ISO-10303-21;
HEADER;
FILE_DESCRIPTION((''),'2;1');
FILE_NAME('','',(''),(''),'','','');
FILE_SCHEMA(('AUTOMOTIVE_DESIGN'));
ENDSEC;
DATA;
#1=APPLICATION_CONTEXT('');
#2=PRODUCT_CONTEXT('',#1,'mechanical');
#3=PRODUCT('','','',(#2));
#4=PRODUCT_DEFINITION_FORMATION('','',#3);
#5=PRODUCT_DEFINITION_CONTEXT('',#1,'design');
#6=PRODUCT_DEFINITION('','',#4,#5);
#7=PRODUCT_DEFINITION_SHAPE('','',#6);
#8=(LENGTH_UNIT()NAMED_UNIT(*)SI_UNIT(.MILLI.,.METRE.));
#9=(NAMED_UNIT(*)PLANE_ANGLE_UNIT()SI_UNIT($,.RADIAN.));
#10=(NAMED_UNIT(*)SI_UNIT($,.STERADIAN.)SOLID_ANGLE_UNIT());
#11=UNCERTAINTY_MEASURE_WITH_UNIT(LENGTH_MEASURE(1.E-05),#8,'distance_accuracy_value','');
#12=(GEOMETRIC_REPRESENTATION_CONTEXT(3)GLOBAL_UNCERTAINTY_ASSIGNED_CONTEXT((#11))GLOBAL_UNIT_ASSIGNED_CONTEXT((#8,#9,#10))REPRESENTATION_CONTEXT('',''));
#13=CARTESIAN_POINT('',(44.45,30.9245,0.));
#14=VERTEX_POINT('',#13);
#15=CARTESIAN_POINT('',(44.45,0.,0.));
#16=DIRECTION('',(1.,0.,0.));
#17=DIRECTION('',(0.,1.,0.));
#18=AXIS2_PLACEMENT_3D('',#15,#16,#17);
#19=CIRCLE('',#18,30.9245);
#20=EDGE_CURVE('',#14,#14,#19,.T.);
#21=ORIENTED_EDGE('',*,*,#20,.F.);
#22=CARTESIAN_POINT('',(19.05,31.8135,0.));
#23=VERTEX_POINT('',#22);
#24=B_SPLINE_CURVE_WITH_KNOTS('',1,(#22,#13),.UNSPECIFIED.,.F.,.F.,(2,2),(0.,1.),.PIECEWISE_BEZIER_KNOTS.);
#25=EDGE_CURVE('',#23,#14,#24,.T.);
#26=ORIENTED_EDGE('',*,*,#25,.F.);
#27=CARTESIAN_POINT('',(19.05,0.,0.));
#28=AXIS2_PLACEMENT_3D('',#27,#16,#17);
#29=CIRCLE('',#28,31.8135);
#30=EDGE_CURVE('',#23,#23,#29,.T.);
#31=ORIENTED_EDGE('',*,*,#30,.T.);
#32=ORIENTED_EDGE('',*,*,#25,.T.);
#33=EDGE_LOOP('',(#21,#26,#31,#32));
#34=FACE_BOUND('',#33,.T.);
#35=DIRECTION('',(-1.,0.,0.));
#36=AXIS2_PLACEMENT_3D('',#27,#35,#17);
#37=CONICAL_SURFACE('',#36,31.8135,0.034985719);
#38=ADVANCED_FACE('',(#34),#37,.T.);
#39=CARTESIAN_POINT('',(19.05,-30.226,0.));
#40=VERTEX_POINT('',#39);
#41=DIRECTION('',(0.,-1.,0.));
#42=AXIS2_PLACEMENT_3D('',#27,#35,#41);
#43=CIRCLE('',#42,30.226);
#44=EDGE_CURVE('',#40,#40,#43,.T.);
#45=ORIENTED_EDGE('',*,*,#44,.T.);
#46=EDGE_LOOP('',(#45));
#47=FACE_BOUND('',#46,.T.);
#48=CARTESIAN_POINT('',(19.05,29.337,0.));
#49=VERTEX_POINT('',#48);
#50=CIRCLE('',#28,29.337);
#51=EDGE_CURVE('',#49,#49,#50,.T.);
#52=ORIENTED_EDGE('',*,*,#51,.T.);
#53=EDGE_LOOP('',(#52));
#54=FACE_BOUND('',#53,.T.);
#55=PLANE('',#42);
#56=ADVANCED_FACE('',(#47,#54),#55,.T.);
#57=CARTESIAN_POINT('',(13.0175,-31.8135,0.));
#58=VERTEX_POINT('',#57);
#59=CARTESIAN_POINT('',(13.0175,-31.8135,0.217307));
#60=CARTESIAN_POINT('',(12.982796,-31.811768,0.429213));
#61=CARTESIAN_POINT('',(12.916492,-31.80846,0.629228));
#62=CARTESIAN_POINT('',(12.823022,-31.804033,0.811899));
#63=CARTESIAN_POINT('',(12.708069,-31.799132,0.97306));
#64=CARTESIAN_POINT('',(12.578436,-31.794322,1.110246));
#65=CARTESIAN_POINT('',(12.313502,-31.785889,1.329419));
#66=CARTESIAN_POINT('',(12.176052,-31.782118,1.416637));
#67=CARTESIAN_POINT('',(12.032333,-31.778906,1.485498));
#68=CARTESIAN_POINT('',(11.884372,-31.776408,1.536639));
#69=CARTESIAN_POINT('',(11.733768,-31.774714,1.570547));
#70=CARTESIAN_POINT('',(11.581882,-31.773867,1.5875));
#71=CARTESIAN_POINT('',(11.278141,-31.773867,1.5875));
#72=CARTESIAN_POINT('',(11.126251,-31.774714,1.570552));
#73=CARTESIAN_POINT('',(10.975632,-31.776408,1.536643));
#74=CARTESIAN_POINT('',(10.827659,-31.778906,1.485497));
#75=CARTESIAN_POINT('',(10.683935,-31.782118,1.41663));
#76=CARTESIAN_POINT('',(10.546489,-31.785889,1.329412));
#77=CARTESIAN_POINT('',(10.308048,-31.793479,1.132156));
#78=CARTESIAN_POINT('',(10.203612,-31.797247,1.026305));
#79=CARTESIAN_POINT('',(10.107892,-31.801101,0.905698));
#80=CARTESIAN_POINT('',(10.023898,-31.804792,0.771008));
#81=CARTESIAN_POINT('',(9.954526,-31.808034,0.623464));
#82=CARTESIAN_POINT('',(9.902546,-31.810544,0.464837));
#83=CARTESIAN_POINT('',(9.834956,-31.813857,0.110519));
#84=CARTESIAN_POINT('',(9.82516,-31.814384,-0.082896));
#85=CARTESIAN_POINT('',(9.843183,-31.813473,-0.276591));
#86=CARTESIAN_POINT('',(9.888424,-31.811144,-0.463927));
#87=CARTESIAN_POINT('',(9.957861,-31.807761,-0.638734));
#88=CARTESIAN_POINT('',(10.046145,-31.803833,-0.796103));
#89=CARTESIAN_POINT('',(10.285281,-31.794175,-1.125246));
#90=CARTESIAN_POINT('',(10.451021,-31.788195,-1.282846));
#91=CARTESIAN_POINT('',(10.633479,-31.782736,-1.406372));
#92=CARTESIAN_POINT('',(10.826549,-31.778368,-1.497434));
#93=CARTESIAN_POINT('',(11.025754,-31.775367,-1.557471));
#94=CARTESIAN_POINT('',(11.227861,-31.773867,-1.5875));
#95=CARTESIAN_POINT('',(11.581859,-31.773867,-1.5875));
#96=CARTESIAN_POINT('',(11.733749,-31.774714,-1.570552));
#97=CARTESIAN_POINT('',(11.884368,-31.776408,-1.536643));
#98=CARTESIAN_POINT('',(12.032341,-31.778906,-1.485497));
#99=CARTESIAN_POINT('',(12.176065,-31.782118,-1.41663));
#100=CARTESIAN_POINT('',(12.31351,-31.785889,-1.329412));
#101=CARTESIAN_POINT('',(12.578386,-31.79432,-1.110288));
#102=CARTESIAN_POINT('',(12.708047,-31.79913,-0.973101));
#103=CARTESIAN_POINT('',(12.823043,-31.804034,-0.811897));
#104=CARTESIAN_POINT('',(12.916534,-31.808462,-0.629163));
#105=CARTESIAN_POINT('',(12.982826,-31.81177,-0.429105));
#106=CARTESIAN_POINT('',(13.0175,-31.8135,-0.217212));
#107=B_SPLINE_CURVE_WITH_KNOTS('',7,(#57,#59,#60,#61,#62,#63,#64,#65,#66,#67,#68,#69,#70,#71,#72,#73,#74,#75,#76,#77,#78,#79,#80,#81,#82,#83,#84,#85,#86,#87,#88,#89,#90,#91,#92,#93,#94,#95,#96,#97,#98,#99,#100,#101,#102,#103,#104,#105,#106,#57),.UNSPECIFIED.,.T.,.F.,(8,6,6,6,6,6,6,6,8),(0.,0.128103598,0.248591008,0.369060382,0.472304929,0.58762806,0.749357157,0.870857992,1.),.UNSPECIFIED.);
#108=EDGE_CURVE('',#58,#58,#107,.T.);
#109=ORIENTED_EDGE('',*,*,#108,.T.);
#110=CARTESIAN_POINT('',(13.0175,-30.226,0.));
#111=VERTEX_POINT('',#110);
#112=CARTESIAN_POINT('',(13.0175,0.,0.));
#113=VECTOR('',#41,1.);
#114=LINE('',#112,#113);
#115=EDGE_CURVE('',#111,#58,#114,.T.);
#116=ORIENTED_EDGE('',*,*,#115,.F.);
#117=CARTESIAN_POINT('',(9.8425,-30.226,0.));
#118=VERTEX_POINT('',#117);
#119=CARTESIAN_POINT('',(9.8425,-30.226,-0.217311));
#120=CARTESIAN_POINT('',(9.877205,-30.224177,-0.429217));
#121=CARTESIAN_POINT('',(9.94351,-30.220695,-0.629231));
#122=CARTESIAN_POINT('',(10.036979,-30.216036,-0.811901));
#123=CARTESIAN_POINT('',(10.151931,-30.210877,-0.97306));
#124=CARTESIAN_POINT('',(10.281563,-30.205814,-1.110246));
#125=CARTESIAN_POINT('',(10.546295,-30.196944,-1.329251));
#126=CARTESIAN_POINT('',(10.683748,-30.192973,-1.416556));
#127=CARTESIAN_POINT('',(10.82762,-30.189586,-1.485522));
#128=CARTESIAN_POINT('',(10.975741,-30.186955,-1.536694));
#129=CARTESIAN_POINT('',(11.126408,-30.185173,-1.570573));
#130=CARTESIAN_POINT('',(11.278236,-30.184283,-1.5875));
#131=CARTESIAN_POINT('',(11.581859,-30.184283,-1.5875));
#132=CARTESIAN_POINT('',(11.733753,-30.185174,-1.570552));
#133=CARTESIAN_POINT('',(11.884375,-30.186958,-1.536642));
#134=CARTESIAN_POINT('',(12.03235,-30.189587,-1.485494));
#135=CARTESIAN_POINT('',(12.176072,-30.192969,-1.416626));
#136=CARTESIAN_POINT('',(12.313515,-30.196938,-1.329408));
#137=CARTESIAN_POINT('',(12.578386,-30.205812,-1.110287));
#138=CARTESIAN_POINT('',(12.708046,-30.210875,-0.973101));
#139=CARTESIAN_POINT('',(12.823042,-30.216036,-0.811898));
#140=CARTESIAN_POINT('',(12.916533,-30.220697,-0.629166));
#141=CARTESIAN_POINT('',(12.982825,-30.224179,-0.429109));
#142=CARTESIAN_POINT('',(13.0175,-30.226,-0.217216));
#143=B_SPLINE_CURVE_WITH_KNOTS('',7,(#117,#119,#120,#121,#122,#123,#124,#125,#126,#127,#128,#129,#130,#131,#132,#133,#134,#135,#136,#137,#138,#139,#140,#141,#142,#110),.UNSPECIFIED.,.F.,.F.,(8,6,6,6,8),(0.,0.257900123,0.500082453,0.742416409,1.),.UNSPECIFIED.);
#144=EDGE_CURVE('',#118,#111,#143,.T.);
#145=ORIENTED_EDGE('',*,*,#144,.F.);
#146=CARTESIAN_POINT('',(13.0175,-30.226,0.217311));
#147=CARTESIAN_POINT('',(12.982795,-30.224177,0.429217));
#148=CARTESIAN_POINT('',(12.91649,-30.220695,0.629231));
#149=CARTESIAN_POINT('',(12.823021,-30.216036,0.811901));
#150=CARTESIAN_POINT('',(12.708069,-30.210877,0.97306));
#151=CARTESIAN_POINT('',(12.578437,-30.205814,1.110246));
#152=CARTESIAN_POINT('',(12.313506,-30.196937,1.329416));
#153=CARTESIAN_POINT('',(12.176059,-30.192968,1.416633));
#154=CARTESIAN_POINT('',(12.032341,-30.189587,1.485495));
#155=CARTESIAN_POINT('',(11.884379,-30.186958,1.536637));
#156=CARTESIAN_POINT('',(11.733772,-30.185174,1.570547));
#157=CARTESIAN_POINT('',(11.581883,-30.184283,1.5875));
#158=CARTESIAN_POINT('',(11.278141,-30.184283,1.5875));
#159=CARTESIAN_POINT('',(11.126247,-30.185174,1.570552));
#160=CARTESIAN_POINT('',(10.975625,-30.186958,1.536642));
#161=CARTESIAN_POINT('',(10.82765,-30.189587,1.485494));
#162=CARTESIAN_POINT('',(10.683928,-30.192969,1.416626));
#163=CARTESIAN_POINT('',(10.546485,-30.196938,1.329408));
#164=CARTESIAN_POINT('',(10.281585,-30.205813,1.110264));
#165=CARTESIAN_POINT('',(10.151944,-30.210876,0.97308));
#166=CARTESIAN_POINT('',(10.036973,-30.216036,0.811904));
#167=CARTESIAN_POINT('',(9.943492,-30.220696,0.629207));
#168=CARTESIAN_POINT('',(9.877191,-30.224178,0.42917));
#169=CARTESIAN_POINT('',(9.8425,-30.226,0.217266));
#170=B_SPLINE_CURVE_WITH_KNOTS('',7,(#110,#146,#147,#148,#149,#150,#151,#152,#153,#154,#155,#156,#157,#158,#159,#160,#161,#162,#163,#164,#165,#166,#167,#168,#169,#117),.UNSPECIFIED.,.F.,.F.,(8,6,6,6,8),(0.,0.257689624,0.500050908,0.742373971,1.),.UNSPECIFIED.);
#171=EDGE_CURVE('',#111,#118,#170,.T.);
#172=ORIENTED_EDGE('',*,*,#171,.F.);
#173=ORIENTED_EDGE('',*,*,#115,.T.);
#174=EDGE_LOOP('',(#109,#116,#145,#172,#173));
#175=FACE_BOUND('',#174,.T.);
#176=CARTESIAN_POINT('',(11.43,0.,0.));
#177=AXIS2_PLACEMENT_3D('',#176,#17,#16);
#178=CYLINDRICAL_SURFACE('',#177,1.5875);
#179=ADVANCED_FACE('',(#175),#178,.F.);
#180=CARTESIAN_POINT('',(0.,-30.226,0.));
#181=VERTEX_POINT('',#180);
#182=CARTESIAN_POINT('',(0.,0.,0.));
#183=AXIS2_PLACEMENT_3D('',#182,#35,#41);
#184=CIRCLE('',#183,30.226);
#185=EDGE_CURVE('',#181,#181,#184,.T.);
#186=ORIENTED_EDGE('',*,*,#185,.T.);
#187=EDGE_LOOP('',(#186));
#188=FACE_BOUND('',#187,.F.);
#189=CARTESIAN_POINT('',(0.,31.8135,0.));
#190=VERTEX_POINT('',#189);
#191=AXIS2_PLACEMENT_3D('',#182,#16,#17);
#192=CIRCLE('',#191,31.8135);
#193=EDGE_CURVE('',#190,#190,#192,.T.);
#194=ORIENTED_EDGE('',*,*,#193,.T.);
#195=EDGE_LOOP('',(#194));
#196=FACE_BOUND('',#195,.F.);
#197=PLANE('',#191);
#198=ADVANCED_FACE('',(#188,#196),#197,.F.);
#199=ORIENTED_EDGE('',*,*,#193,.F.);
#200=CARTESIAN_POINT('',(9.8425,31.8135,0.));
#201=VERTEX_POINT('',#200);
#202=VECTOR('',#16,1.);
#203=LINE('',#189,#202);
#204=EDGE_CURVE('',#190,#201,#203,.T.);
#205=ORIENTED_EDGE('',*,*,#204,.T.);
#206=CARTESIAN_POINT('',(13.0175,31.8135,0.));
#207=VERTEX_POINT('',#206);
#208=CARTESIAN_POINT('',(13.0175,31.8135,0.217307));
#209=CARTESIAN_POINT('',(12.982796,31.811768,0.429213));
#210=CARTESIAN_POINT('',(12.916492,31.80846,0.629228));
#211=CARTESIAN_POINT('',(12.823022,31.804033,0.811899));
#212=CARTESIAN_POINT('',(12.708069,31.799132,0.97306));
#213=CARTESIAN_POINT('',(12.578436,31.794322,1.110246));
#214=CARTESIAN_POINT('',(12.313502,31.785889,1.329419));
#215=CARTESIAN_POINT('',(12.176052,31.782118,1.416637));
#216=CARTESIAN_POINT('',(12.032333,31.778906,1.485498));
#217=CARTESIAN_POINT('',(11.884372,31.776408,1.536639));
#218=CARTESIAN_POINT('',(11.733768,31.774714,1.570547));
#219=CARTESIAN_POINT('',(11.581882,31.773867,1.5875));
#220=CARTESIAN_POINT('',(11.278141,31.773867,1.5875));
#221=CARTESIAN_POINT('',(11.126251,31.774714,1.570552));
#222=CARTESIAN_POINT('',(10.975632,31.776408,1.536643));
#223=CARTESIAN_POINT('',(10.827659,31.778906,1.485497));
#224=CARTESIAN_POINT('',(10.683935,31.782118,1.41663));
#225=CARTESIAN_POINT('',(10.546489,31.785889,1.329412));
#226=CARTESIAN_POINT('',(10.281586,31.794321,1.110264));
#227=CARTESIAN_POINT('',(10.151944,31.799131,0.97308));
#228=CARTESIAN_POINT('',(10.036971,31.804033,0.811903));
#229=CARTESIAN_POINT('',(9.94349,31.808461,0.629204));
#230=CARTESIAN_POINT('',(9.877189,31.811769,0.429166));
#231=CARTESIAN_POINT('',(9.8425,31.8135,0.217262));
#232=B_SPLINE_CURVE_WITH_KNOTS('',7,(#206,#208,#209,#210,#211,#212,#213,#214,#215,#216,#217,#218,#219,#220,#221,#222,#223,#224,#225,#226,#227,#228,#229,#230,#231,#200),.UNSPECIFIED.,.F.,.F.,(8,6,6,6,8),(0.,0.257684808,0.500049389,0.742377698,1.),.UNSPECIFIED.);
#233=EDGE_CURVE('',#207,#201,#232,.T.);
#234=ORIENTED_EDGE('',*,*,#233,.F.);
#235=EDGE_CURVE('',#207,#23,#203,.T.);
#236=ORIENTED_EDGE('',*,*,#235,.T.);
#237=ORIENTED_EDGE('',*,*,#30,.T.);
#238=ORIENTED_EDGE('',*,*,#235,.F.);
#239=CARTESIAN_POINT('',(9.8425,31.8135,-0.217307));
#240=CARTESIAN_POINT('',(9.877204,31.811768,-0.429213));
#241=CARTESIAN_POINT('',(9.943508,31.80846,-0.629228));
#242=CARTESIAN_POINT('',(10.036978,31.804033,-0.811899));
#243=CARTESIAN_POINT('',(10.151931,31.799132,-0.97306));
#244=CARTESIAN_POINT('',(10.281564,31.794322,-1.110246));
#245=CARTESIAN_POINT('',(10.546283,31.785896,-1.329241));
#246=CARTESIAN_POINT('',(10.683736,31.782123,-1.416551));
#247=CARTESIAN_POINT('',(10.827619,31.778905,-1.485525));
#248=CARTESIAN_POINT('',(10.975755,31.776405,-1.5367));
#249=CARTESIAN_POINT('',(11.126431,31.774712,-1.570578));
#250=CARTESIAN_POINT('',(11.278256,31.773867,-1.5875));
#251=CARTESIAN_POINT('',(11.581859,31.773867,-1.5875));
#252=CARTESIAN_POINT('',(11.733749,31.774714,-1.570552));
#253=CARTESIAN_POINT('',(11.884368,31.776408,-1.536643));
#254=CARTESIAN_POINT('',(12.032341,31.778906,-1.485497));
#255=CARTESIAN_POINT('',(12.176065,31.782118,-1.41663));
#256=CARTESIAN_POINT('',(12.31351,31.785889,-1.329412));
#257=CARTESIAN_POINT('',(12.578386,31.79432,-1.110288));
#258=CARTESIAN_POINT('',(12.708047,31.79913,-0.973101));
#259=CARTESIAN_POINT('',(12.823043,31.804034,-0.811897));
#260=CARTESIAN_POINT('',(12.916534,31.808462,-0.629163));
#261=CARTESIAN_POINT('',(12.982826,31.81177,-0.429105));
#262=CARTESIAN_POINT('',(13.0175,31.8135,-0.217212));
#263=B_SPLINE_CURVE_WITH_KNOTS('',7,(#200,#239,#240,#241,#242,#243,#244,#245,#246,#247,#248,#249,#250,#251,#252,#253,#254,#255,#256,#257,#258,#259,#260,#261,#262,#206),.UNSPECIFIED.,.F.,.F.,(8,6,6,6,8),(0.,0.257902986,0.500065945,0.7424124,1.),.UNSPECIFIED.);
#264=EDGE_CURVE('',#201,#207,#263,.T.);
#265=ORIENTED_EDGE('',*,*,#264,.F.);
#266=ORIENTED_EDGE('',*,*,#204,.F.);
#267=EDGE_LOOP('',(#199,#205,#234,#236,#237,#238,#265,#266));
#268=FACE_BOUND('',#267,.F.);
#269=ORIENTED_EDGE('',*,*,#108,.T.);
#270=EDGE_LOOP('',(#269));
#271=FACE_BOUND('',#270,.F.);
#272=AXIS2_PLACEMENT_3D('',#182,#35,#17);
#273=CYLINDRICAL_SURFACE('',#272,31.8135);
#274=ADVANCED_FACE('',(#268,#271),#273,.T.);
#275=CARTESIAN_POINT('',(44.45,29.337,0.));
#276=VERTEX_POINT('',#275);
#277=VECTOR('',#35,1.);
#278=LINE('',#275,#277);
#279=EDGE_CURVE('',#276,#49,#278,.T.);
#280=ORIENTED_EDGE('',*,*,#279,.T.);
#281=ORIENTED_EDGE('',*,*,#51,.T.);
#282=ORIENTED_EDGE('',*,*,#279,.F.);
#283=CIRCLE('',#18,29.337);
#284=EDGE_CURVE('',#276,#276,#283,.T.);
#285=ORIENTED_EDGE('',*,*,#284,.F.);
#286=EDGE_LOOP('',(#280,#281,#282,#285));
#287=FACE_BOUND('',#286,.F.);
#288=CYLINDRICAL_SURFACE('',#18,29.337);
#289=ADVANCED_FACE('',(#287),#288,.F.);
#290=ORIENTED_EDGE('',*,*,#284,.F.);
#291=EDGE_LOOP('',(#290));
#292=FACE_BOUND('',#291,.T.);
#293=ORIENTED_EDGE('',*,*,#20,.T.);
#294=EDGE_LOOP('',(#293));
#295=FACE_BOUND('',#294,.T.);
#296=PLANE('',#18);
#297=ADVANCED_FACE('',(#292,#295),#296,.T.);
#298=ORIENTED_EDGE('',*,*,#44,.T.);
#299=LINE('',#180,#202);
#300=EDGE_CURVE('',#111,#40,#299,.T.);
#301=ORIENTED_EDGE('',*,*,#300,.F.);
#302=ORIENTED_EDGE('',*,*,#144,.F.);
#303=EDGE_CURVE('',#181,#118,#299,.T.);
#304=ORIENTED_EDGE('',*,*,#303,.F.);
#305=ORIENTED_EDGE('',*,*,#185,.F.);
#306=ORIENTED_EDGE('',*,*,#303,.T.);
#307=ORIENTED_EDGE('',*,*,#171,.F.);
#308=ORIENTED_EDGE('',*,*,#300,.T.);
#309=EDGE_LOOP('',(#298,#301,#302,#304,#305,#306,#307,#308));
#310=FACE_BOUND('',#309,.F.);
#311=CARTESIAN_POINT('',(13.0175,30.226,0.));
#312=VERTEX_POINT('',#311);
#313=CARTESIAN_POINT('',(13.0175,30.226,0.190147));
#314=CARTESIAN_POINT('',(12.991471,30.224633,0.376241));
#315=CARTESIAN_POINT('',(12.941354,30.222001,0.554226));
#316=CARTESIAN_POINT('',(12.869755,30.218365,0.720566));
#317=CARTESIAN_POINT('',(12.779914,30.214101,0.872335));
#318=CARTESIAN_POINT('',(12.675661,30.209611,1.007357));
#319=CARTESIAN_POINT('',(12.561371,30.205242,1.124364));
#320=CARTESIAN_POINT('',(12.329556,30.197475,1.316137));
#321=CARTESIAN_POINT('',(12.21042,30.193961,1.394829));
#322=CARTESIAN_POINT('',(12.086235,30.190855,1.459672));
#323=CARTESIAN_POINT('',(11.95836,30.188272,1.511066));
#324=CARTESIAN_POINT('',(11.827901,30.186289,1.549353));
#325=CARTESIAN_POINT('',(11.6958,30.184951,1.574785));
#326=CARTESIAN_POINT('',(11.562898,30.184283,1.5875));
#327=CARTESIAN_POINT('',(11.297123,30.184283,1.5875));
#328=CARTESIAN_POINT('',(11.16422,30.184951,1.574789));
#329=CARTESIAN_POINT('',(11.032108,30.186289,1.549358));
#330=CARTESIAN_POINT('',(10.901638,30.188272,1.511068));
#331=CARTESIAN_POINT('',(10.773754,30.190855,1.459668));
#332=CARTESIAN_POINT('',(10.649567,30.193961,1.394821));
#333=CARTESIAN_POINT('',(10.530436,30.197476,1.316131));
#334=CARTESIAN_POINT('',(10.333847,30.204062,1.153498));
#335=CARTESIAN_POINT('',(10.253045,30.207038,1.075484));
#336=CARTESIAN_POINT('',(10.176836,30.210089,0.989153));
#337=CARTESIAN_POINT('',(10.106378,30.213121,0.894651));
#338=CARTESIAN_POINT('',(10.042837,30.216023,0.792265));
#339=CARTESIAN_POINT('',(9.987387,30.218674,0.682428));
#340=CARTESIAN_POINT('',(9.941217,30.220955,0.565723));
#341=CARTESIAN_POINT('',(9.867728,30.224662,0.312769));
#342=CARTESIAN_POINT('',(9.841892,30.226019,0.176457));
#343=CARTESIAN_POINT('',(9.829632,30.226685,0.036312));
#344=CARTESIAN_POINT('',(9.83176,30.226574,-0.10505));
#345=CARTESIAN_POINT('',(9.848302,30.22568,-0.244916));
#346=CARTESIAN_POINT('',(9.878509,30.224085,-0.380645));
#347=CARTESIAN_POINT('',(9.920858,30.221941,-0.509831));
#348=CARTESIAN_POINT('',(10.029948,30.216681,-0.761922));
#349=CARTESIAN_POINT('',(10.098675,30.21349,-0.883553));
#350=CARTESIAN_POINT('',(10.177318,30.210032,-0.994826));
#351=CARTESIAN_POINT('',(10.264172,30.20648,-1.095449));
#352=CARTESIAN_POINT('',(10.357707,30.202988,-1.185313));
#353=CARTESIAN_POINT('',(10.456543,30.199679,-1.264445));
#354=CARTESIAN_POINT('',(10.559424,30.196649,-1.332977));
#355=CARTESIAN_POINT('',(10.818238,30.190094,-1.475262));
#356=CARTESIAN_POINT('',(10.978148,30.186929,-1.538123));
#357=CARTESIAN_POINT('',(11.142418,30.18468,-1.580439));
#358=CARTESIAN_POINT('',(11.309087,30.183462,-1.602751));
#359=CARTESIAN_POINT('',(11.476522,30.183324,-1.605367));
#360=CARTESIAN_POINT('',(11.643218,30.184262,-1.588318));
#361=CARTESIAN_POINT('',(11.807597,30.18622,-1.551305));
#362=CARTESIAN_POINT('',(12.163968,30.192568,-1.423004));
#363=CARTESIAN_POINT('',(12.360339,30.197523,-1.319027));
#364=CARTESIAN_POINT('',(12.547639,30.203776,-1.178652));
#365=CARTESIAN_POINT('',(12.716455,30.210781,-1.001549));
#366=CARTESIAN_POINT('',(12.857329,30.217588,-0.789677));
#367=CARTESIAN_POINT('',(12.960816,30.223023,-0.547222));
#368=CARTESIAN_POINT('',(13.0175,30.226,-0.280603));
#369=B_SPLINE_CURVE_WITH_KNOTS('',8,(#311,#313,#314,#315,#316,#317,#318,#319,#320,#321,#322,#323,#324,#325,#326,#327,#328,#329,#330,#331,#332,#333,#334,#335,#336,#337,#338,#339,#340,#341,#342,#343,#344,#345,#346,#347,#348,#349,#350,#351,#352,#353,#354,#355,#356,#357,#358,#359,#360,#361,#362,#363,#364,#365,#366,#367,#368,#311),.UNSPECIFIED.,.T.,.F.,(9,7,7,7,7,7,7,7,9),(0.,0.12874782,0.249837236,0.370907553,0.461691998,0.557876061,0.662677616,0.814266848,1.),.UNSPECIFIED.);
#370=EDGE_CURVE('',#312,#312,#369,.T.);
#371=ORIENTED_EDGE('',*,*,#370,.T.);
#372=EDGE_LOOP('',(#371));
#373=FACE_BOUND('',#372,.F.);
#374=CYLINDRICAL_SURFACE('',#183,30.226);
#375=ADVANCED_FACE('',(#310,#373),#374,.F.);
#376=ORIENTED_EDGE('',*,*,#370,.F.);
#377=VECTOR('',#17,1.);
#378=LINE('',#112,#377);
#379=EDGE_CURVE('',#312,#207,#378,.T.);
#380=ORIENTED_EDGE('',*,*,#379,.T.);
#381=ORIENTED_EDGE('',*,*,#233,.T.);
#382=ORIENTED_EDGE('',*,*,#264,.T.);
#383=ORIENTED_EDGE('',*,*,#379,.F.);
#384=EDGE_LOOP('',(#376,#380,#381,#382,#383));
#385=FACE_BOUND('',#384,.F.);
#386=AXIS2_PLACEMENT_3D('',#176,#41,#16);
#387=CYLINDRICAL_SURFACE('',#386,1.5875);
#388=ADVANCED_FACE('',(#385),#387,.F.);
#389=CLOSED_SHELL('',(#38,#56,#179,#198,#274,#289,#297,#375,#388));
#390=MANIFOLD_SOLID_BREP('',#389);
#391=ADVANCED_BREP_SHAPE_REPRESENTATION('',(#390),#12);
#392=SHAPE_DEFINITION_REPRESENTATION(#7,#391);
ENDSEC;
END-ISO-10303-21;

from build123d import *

# Parameters (mm, degrees)
F0_R           = 31.8135
F1_DEPTH       = 19.05
F1_FACE_R      = 31.8135
F3_R           = 30.9245
F5_R           = 30.226
F6_DEPTH       = 19.05
F7_R           = 29.337
F8_DEPTH       = 25.4
F9_R           = 1.5875
F10_DEPTH      = 31.8145001
F10_DEPTH_BACK = 31.8145001


with BuildPart() as f1:
    # F0 (on Right) → F1 (new body)
    with BuildSketch(Plane.YZ):
        Circle(F0_R)
    extrude(amount=F1_DEPTH)

    # F1_face (on face) → F4 section 0
    with BuildSketch(Plane.YZ.offset(19.05)):
        Circle(F1_FACE_R)
    # F3 (on offset) → F4 section 1
    with BuildSketch(Plane.YZ.offset(44.45)):
        Circle(F3_R)
    loft()

    # F5 (on face) → F6 (cut)
    with BuildSketch(Plane(origin=(0, 0, 0), x_dir=(0, -1, 0), z_dir=(-1, 0, 0))):
        Circle(F5_R)
    extrude(amount=-F6_DEPTH, mode=Mode.SUBTRACT)

    # F7 (on face) → F8 (cut, through all)
    with BuildSketch(Plane.YZ.offset(44.45)):
        Circle(F7_R)
    extrude(amount=-F8_DEPTH, mode=Mode.SUBTRACT)

    # F9 (on Front) → F10 (cut, two sides)
    with BuildSketch(Plane.XZ) as f10_sk:
        with Locations((11.429999955, 0)):
            Circle(F9_R)
    extrude(amount=-F10_DEPTH, mode=Mode.SUBTRACT)
    extrude(f10_sk.sketch, amount=F10_DEPTH_BACK, mode=Mode.SUBTRACT)


solid = f1.part
